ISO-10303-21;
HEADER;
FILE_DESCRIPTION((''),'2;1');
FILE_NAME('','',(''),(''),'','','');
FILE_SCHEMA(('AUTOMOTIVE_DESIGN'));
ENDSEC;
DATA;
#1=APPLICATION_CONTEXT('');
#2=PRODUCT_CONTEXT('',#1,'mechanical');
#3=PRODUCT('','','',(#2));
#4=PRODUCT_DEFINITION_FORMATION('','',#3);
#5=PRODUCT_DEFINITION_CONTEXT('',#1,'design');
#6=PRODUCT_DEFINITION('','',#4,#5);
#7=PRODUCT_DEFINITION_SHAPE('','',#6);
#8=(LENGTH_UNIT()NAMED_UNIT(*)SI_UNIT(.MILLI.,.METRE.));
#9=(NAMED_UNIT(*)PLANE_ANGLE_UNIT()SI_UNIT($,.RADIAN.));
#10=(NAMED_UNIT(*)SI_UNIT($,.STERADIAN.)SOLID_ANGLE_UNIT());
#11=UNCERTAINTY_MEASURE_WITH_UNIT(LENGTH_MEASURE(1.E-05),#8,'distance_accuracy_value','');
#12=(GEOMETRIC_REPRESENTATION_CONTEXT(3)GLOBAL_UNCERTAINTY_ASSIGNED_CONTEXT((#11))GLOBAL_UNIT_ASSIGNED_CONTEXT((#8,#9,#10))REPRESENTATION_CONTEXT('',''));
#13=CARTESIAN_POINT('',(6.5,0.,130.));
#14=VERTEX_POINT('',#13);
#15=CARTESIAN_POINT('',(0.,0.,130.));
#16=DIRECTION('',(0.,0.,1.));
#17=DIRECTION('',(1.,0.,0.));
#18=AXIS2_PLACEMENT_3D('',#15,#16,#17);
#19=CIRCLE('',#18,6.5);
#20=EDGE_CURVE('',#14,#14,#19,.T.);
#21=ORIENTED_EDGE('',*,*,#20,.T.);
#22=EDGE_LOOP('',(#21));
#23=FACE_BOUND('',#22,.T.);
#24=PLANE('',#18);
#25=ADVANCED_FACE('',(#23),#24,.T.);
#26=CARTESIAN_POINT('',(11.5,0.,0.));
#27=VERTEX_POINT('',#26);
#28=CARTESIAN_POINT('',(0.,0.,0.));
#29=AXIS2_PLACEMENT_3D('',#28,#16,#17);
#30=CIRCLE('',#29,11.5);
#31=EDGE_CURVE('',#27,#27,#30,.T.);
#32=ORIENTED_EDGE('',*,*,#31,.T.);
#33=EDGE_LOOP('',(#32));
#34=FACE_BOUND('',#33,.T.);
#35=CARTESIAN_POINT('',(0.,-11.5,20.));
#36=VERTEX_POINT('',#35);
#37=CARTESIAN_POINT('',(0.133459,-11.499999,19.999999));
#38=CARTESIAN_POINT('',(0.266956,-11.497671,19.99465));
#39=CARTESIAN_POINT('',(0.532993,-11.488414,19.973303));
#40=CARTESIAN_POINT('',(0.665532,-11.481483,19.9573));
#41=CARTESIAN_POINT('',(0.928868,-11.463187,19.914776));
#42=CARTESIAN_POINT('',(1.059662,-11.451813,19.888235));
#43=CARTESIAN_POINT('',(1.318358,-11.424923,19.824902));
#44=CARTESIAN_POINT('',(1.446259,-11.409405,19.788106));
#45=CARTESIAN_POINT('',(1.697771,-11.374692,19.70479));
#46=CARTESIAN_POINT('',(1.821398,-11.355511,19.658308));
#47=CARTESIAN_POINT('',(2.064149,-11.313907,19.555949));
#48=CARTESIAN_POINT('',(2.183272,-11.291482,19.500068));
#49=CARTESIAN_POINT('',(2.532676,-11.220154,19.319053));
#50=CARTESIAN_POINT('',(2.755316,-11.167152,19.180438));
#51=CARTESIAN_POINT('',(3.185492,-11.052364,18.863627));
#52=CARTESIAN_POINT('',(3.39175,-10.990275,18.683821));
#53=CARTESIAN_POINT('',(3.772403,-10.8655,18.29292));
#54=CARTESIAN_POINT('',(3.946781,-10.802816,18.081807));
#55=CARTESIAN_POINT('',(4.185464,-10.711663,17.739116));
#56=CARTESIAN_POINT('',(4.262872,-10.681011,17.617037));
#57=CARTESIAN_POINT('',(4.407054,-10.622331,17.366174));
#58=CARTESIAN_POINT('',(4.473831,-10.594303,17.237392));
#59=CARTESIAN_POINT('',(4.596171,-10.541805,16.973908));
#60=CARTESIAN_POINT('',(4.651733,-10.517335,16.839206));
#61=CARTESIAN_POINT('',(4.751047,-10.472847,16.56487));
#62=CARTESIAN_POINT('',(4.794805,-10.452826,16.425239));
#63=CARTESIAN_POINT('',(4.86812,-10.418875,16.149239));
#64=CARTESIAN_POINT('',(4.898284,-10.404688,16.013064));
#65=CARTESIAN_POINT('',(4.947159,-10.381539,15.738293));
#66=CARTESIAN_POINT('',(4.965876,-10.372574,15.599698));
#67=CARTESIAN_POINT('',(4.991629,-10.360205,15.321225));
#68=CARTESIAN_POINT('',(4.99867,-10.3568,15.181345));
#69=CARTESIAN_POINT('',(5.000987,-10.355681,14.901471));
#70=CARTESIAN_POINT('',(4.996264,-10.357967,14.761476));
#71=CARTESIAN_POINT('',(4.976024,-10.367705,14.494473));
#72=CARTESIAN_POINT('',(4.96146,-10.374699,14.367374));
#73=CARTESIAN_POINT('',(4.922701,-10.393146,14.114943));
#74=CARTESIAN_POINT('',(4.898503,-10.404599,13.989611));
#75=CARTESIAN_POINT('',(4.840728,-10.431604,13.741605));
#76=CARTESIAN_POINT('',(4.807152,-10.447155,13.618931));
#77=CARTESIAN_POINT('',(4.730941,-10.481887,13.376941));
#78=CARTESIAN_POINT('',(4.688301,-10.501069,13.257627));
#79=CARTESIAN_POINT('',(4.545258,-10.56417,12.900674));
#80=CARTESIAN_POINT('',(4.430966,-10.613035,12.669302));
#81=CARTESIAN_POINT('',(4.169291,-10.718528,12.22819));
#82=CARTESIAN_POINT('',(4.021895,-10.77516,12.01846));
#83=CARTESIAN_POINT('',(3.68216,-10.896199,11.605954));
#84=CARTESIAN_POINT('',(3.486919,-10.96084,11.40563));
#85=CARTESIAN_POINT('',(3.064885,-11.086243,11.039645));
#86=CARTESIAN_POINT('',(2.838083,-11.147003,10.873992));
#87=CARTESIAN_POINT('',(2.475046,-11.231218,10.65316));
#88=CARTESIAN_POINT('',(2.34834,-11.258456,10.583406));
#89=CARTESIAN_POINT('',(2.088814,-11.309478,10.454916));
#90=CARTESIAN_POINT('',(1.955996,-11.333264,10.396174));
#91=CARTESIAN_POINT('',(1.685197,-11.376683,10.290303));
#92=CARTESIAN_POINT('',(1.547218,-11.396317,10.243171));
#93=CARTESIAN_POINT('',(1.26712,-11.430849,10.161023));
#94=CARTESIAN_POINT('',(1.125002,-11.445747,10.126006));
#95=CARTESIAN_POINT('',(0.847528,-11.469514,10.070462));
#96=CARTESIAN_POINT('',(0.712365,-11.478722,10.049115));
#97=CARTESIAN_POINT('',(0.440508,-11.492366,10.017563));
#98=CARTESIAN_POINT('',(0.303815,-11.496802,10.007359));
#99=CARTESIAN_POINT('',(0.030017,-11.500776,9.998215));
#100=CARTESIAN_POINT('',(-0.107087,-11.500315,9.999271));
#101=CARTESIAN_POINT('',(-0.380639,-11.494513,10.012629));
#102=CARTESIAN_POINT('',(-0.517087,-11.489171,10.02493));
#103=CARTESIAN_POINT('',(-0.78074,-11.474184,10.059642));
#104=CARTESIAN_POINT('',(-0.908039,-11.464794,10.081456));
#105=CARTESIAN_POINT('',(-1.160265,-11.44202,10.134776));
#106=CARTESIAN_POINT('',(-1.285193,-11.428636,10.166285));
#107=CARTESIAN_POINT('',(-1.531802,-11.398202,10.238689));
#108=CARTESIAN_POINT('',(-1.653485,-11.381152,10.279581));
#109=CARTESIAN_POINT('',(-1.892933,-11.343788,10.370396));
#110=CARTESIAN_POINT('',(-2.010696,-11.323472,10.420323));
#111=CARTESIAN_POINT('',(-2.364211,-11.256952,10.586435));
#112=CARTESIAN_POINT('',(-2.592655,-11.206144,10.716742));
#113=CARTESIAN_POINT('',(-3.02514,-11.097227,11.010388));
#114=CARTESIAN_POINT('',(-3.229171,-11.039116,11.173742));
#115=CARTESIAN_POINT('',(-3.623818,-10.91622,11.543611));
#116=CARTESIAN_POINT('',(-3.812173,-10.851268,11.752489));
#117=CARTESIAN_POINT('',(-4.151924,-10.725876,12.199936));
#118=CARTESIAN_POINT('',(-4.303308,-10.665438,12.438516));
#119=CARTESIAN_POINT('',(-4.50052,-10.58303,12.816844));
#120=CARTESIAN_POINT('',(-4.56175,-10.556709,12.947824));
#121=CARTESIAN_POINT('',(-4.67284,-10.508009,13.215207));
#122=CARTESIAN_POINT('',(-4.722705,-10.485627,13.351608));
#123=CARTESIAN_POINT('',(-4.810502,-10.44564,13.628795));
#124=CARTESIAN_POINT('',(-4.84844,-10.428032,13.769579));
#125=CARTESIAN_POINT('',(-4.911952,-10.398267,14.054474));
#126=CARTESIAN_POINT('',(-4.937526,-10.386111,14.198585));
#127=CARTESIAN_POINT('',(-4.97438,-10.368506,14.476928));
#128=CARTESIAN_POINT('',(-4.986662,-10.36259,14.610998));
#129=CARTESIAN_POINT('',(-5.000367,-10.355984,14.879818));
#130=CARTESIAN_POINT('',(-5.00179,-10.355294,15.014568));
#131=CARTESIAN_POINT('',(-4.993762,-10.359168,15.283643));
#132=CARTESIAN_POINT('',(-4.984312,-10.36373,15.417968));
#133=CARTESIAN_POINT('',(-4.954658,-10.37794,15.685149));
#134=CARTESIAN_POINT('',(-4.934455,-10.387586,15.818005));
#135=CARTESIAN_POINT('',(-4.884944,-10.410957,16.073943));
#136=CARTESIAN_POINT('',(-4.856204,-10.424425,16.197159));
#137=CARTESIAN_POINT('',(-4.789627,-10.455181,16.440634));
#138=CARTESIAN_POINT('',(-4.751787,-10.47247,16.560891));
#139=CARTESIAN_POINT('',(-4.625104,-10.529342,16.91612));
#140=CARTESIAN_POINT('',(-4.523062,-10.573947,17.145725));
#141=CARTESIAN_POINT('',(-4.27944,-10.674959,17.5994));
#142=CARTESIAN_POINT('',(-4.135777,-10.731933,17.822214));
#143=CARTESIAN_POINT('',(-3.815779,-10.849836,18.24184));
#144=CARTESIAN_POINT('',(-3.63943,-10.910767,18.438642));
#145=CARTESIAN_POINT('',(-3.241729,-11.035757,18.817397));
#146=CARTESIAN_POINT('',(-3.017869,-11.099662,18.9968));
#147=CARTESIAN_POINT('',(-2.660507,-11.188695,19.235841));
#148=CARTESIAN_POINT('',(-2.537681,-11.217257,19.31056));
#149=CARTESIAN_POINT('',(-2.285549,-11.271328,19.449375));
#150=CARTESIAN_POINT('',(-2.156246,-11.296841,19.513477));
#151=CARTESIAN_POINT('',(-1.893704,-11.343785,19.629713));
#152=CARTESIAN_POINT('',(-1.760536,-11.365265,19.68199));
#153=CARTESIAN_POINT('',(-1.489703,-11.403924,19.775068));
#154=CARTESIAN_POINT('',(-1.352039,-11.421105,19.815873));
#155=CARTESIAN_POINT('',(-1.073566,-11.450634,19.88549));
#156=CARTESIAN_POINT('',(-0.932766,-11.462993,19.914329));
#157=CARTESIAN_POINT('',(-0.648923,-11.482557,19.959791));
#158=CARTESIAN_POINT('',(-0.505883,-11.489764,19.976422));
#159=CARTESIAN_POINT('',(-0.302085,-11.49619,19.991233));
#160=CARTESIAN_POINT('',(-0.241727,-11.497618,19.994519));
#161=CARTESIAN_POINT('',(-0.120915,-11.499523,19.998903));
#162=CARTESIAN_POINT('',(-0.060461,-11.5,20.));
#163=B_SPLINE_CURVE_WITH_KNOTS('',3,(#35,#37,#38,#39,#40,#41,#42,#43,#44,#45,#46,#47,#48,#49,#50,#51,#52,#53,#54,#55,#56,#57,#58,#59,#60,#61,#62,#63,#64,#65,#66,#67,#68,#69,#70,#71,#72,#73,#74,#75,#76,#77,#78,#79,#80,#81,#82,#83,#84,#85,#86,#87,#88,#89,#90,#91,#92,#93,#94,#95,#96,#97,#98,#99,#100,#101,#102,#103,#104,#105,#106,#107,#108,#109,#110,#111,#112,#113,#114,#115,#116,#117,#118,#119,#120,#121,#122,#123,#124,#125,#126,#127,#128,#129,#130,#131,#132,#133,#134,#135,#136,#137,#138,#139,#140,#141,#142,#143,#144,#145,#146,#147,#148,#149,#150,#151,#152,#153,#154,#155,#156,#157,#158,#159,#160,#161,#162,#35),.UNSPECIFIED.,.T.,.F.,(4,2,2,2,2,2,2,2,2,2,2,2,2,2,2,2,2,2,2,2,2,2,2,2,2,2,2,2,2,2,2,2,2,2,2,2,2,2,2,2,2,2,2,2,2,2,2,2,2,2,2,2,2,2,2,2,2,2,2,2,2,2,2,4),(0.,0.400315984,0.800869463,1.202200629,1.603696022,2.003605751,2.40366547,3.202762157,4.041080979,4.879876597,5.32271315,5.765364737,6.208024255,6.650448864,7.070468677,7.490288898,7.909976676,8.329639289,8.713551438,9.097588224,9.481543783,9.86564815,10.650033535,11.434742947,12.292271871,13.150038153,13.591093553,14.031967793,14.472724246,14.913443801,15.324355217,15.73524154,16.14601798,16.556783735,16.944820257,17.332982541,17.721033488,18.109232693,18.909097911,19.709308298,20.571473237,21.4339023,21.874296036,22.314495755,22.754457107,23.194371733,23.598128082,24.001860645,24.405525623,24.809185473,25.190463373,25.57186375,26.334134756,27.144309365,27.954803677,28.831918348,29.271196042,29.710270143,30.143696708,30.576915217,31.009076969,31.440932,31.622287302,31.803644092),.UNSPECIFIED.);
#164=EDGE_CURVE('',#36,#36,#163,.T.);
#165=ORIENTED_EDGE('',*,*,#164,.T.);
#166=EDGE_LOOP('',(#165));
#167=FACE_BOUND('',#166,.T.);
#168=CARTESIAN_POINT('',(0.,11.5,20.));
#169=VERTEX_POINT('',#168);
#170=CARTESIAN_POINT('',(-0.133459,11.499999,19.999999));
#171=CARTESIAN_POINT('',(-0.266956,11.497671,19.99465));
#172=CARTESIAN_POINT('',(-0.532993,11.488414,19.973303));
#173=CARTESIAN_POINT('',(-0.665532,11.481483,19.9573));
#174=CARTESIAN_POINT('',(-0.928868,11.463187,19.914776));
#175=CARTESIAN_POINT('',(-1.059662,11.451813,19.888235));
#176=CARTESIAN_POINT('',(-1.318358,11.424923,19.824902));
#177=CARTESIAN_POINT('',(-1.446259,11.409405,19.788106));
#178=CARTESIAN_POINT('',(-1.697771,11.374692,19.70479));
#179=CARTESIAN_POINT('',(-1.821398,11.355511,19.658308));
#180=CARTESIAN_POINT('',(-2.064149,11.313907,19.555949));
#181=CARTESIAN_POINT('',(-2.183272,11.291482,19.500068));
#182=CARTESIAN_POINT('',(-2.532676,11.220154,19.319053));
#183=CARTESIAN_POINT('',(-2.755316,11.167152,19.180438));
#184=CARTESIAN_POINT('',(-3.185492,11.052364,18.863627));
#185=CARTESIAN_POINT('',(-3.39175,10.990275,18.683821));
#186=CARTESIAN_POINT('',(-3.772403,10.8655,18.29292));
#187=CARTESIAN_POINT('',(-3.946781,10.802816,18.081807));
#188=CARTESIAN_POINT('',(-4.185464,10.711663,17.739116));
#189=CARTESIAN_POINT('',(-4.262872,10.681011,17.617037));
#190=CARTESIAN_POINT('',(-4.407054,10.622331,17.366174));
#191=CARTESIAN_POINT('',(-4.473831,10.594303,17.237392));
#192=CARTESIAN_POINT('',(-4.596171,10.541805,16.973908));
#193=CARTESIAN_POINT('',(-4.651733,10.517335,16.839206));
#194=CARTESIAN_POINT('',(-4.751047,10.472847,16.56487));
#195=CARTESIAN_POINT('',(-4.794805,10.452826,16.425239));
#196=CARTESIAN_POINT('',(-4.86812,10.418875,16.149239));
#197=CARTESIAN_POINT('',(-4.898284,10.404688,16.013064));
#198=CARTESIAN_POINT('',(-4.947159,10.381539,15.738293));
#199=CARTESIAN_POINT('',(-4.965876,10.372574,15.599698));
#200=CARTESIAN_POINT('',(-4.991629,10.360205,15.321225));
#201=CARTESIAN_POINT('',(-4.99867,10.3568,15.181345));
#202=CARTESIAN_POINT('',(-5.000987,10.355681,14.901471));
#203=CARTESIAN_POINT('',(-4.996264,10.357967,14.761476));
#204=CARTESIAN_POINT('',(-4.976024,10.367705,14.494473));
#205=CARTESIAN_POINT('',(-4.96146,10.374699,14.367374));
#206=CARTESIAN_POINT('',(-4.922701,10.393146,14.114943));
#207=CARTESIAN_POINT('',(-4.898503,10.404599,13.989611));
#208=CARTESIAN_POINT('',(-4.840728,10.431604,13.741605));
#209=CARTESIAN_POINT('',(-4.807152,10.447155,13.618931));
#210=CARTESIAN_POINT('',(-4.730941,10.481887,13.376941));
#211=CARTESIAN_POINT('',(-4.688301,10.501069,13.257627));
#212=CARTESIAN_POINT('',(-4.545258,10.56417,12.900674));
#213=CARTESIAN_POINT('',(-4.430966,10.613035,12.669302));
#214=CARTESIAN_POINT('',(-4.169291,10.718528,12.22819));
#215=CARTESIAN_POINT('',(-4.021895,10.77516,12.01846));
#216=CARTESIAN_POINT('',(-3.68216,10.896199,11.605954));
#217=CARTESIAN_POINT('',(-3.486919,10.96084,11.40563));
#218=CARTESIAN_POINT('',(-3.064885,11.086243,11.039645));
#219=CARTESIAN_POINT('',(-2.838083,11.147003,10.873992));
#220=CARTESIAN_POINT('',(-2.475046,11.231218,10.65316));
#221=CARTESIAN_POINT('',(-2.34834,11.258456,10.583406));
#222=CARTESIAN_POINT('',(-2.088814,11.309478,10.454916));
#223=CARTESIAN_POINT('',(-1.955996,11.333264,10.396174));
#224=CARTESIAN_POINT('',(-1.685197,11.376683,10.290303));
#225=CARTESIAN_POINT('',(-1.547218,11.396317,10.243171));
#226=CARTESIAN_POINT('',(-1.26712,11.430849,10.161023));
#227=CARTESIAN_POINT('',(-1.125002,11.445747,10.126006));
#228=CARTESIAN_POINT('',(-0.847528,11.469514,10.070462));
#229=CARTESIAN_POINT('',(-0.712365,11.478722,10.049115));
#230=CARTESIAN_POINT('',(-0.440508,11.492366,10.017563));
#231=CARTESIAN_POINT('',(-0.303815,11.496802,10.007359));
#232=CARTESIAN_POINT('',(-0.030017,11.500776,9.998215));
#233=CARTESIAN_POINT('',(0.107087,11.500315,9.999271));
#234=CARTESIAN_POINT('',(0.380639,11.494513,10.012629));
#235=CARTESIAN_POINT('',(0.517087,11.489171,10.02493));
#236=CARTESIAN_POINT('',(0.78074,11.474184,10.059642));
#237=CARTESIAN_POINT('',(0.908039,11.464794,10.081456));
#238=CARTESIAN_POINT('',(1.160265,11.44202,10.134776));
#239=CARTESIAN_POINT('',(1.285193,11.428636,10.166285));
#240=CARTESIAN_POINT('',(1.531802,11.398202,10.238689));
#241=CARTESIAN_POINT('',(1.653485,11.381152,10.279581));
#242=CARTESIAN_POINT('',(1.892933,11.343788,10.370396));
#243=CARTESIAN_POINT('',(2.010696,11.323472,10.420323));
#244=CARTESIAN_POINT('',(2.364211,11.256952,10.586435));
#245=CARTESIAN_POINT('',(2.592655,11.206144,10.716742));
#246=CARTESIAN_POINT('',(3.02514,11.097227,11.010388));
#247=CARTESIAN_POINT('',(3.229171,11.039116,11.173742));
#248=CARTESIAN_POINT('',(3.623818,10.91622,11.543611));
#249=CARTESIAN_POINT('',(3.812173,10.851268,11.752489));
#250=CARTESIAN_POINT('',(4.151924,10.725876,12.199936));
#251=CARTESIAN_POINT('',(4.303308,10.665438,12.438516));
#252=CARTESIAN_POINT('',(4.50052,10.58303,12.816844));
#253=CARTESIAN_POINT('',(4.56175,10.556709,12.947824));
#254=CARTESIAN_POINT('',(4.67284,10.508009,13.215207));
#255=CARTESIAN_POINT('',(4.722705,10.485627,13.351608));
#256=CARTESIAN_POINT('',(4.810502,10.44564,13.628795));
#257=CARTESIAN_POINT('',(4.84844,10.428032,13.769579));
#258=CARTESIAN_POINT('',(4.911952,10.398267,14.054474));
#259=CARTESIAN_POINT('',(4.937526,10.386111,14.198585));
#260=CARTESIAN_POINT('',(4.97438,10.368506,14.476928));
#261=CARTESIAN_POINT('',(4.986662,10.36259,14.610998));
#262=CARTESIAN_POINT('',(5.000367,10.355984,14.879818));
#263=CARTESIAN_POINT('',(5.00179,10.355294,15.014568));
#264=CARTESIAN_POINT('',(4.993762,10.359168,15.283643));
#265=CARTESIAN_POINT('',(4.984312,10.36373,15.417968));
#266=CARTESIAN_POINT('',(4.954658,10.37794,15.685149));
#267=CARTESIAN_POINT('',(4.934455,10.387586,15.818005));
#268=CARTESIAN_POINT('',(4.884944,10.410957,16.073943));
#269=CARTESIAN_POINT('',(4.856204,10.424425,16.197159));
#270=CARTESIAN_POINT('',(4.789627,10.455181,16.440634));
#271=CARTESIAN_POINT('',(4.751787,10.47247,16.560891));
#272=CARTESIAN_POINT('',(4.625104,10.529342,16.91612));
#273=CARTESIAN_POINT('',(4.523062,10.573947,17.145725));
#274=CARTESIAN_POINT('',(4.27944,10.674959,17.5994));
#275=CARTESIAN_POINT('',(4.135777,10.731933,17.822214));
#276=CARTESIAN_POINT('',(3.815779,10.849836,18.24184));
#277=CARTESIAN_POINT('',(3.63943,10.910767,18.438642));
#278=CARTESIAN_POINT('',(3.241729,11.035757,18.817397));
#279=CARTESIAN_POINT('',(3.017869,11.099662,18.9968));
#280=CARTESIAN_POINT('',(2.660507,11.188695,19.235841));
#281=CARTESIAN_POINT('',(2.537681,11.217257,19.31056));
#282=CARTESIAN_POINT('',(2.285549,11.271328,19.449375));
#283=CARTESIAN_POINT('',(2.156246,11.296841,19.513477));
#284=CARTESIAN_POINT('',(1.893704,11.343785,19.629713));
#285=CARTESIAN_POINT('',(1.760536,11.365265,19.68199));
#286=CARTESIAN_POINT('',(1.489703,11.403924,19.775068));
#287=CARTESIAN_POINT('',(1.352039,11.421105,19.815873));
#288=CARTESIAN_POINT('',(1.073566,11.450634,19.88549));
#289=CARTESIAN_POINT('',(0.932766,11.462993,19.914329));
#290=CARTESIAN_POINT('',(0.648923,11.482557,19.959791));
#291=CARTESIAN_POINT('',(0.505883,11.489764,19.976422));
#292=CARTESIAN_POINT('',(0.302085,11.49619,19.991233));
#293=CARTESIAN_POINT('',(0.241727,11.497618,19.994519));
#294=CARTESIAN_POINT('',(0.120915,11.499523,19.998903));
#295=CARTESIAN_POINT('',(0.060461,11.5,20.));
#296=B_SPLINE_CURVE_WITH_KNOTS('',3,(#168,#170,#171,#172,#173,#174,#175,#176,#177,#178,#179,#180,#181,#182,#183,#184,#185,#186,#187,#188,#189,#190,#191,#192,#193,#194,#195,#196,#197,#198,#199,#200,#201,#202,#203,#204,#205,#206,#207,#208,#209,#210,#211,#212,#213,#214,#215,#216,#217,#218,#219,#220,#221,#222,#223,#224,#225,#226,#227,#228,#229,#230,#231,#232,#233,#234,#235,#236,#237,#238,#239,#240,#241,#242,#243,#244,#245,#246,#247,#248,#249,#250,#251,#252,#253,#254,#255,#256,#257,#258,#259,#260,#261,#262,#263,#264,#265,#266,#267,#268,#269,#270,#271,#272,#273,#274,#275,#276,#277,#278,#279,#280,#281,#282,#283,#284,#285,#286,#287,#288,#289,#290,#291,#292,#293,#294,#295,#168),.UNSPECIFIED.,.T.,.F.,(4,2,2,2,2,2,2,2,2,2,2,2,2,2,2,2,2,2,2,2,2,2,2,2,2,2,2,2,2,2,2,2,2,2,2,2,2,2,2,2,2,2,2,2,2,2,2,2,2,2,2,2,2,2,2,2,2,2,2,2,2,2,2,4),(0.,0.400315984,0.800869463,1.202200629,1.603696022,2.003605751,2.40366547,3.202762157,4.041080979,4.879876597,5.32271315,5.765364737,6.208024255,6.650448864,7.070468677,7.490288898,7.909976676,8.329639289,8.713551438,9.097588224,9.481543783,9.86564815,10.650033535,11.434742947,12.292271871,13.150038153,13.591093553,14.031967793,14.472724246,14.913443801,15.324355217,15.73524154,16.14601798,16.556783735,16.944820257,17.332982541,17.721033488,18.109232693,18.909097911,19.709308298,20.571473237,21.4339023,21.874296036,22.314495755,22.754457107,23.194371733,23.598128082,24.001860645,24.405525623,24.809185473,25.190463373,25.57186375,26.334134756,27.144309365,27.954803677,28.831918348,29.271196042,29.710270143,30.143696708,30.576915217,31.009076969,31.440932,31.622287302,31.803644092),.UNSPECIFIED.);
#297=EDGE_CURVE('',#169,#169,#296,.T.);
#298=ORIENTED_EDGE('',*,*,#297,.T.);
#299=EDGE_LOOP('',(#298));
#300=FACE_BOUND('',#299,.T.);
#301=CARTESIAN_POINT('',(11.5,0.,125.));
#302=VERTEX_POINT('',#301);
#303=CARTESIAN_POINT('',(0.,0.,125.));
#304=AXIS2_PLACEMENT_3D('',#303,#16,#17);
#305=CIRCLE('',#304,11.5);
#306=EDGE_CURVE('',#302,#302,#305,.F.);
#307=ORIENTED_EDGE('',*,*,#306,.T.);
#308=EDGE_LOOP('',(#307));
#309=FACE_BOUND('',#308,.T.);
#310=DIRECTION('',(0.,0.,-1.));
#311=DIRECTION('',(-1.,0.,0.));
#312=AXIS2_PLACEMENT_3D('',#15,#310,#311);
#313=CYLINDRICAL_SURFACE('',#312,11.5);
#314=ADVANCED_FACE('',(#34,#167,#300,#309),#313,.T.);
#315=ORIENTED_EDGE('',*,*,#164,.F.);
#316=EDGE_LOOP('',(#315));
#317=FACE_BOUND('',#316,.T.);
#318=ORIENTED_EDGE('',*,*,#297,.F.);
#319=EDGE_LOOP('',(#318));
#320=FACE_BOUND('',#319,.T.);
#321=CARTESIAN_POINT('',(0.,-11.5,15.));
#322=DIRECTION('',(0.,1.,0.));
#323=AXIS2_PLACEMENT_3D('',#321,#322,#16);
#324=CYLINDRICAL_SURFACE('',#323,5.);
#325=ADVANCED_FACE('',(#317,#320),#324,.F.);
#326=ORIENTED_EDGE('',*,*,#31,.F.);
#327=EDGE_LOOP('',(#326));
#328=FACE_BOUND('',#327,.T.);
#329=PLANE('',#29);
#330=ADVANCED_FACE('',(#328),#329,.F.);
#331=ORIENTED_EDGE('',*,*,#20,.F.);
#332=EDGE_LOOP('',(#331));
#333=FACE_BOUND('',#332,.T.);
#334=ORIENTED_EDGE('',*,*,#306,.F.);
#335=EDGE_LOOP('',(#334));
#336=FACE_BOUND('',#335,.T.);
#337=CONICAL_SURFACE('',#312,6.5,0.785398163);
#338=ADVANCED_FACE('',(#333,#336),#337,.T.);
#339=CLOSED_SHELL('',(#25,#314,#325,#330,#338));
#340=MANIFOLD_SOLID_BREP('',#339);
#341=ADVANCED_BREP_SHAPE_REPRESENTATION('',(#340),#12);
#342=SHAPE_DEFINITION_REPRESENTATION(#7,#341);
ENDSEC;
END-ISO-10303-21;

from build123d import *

# Parameters (mm, degrees)
SKETCH1_R               = 11.5
BOSS_EXTRUDE1_DEPTH     = 130
CHAMFER1_SIZE           = 5
CUT_EXTRUDE1_DEPTH      = 132.013358098
CUT_EXTRUDE1_DEPTH_BACK = 132.013358098
SKETCH2_R               = 5


with BuildPart() as part:
    # Sketch1 → Boss-Extrude1 (new body)
    with BuildSketch(Plane.XY):
        Circle(SKETCH1_R)
    extrude(amount=BOSS_EXTRUDE1_DEPTH)

    # Chamfer1
    chamfer1_edges = [part.edges().sort_by_distance(p)[0] for p in [
        (-11.5, 0, 130),
    ]]
    chamfer(chamfer1_edges, length=CHAMFER1_SIZE)

    # Sketch2 → Cut-Extrude1 (cut, two sides: drawn at the far end of the back side and taken through both)
    with BuildSketch(Plane(origin=(0, 0, 0), x_dir=(1, 0, 0), z_dir=(0, 1, 0)).offset(-CUT_EXTRUDE1_DEPTH_BACK)):
        with Locations(Location((0, -15, 0), (0, 0, 270))):
            Circle(SKETCH2_R)
    extrude(amount=CUT_EXTRUDE1_DEPTH + CUT_EXTRUDE1_DEPTH_BACK, mode=Mode.SUBTRACT)


solid = part.part
